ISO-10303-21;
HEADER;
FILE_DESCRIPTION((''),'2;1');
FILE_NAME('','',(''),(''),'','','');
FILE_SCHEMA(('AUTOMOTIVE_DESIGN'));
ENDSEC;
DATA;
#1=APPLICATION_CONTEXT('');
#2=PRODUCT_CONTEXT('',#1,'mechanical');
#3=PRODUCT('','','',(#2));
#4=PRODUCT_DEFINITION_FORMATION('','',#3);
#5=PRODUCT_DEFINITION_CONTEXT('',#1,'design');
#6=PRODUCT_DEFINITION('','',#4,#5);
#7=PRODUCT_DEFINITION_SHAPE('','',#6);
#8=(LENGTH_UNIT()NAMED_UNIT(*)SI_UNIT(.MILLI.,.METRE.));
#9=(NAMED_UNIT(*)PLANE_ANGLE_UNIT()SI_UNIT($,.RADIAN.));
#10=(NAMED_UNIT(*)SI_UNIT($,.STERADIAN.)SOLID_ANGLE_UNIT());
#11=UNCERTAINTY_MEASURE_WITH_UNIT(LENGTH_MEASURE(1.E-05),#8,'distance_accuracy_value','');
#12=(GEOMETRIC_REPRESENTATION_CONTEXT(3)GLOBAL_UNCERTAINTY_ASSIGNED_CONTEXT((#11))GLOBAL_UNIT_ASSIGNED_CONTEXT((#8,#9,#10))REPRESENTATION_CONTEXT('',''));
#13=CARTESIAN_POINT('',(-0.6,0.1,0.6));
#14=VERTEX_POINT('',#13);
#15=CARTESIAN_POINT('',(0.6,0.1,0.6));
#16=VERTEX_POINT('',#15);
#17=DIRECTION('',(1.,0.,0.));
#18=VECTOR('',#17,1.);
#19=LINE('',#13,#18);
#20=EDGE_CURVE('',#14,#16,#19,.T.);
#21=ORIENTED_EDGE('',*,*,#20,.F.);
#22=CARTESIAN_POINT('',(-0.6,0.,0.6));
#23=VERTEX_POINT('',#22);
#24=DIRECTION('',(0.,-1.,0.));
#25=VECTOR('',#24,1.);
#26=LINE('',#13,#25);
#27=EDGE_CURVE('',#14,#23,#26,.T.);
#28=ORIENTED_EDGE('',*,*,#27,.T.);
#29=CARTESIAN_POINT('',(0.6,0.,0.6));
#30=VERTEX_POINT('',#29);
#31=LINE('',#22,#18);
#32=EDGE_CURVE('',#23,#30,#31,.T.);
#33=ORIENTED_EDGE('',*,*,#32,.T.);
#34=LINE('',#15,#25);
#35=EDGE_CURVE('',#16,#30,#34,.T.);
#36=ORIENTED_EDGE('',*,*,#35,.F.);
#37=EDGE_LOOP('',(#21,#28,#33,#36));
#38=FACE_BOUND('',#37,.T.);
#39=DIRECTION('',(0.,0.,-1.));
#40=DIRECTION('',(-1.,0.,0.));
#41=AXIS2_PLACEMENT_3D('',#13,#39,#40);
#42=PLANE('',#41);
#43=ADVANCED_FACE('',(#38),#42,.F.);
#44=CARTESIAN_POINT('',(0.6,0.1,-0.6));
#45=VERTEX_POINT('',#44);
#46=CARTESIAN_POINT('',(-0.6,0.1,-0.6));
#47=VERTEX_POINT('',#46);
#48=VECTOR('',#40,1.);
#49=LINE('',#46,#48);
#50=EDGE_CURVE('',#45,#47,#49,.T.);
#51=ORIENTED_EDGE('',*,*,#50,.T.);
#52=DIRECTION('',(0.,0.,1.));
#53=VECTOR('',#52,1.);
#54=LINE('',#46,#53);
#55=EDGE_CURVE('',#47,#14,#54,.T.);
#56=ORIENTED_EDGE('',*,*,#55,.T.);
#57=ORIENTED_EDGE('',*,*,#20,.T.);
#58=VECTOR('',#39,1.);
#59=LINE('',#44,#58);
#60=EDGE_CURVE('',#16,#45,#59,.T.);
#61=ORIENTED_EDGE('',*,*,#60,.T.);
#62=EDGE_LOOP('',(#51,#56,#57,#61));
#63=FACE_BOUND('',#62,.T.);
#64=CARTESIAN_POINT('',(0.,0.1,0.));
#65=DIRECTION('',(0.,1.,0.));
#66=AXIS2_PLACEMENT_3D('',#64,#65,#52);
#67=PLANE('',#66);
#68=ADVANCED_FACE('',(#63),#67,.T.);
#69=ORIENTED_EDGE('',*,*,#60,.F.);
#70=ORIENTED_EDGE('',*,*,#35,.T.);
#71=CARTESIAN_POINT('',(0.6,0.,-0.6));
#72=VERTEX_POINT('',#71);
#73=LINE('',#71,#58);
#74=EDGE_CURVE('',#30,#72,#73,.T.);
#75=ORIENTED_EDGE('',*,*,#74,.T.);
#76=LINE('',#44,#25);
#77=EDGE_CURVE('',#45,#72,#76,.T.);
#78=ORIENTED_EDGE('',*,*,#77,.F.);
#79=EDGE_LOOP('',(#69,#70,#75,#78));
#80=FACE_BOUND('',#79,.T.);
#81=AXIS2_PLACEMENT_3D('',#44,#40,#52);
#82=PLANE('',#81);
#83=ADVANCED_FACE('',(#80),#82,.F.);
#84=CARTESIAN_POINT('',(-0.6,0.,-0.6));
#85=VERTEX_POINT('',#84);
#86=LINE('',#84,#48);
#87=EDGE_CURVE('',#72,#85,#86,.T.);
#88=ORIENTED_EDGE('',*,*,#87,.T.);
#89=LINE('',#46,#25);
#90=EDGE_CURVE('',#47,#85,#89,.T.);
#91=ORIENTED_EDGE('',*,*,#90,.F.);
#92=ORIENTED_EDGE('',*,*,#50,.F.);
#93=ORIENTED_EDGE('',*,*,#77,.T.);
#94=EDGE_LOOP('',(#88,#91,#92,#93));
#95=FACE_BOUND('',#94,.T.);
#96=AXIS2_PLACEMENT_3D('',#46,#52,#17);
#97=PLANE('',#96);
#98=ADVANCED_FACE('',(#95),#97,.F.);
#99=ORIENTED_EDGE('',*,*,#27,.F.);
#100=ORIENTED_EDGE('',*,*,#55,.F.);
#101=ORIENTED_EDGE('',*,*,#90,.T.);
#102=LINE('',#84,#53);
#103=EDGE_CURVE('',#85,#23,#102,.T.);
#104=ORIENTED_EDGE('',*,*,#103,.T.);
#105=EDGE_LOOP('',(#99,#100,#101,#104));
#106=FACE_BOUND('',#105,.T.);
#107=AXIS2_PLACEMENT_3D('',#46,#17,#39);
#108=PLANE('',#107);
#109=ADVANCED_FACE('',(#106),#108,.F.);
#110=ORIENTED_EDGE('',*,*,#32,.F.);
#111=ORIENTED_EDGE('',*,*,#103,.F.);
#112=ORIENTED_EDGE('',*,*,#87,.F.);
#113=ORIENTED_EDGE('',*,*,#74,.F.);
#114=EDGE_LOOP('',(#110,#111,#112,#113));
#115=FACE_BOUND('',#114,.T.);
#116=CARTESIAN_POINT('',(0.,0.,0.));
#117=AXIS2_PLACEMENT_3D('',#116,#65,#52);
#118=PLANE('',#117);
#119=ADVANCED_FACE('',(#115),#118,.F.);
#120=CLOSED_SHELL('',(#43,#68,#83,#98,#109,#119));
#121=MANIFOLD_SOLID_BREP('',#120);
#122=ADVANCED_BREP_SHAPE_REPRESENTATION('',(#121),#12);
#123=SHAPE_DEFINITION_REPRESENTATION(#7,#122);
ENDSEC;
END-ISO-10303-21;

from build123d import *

# Parameters (mm, degrees)
BASES_W    = 1.2
BASES_H    = 1.2
BASE_DEPTH = 0.1


with BuildPart() as part:
    # BaseS → Base (new body)
    with BuildSketch(Plane(origin=(0, 0, 0), x_dir=(1, 0, 0), z_dir=(0, 1, 0))):
        Rectangle(BASES_W, BASES_H)
    extrude(amount=BASE_DEPTH)


solid = part.part
